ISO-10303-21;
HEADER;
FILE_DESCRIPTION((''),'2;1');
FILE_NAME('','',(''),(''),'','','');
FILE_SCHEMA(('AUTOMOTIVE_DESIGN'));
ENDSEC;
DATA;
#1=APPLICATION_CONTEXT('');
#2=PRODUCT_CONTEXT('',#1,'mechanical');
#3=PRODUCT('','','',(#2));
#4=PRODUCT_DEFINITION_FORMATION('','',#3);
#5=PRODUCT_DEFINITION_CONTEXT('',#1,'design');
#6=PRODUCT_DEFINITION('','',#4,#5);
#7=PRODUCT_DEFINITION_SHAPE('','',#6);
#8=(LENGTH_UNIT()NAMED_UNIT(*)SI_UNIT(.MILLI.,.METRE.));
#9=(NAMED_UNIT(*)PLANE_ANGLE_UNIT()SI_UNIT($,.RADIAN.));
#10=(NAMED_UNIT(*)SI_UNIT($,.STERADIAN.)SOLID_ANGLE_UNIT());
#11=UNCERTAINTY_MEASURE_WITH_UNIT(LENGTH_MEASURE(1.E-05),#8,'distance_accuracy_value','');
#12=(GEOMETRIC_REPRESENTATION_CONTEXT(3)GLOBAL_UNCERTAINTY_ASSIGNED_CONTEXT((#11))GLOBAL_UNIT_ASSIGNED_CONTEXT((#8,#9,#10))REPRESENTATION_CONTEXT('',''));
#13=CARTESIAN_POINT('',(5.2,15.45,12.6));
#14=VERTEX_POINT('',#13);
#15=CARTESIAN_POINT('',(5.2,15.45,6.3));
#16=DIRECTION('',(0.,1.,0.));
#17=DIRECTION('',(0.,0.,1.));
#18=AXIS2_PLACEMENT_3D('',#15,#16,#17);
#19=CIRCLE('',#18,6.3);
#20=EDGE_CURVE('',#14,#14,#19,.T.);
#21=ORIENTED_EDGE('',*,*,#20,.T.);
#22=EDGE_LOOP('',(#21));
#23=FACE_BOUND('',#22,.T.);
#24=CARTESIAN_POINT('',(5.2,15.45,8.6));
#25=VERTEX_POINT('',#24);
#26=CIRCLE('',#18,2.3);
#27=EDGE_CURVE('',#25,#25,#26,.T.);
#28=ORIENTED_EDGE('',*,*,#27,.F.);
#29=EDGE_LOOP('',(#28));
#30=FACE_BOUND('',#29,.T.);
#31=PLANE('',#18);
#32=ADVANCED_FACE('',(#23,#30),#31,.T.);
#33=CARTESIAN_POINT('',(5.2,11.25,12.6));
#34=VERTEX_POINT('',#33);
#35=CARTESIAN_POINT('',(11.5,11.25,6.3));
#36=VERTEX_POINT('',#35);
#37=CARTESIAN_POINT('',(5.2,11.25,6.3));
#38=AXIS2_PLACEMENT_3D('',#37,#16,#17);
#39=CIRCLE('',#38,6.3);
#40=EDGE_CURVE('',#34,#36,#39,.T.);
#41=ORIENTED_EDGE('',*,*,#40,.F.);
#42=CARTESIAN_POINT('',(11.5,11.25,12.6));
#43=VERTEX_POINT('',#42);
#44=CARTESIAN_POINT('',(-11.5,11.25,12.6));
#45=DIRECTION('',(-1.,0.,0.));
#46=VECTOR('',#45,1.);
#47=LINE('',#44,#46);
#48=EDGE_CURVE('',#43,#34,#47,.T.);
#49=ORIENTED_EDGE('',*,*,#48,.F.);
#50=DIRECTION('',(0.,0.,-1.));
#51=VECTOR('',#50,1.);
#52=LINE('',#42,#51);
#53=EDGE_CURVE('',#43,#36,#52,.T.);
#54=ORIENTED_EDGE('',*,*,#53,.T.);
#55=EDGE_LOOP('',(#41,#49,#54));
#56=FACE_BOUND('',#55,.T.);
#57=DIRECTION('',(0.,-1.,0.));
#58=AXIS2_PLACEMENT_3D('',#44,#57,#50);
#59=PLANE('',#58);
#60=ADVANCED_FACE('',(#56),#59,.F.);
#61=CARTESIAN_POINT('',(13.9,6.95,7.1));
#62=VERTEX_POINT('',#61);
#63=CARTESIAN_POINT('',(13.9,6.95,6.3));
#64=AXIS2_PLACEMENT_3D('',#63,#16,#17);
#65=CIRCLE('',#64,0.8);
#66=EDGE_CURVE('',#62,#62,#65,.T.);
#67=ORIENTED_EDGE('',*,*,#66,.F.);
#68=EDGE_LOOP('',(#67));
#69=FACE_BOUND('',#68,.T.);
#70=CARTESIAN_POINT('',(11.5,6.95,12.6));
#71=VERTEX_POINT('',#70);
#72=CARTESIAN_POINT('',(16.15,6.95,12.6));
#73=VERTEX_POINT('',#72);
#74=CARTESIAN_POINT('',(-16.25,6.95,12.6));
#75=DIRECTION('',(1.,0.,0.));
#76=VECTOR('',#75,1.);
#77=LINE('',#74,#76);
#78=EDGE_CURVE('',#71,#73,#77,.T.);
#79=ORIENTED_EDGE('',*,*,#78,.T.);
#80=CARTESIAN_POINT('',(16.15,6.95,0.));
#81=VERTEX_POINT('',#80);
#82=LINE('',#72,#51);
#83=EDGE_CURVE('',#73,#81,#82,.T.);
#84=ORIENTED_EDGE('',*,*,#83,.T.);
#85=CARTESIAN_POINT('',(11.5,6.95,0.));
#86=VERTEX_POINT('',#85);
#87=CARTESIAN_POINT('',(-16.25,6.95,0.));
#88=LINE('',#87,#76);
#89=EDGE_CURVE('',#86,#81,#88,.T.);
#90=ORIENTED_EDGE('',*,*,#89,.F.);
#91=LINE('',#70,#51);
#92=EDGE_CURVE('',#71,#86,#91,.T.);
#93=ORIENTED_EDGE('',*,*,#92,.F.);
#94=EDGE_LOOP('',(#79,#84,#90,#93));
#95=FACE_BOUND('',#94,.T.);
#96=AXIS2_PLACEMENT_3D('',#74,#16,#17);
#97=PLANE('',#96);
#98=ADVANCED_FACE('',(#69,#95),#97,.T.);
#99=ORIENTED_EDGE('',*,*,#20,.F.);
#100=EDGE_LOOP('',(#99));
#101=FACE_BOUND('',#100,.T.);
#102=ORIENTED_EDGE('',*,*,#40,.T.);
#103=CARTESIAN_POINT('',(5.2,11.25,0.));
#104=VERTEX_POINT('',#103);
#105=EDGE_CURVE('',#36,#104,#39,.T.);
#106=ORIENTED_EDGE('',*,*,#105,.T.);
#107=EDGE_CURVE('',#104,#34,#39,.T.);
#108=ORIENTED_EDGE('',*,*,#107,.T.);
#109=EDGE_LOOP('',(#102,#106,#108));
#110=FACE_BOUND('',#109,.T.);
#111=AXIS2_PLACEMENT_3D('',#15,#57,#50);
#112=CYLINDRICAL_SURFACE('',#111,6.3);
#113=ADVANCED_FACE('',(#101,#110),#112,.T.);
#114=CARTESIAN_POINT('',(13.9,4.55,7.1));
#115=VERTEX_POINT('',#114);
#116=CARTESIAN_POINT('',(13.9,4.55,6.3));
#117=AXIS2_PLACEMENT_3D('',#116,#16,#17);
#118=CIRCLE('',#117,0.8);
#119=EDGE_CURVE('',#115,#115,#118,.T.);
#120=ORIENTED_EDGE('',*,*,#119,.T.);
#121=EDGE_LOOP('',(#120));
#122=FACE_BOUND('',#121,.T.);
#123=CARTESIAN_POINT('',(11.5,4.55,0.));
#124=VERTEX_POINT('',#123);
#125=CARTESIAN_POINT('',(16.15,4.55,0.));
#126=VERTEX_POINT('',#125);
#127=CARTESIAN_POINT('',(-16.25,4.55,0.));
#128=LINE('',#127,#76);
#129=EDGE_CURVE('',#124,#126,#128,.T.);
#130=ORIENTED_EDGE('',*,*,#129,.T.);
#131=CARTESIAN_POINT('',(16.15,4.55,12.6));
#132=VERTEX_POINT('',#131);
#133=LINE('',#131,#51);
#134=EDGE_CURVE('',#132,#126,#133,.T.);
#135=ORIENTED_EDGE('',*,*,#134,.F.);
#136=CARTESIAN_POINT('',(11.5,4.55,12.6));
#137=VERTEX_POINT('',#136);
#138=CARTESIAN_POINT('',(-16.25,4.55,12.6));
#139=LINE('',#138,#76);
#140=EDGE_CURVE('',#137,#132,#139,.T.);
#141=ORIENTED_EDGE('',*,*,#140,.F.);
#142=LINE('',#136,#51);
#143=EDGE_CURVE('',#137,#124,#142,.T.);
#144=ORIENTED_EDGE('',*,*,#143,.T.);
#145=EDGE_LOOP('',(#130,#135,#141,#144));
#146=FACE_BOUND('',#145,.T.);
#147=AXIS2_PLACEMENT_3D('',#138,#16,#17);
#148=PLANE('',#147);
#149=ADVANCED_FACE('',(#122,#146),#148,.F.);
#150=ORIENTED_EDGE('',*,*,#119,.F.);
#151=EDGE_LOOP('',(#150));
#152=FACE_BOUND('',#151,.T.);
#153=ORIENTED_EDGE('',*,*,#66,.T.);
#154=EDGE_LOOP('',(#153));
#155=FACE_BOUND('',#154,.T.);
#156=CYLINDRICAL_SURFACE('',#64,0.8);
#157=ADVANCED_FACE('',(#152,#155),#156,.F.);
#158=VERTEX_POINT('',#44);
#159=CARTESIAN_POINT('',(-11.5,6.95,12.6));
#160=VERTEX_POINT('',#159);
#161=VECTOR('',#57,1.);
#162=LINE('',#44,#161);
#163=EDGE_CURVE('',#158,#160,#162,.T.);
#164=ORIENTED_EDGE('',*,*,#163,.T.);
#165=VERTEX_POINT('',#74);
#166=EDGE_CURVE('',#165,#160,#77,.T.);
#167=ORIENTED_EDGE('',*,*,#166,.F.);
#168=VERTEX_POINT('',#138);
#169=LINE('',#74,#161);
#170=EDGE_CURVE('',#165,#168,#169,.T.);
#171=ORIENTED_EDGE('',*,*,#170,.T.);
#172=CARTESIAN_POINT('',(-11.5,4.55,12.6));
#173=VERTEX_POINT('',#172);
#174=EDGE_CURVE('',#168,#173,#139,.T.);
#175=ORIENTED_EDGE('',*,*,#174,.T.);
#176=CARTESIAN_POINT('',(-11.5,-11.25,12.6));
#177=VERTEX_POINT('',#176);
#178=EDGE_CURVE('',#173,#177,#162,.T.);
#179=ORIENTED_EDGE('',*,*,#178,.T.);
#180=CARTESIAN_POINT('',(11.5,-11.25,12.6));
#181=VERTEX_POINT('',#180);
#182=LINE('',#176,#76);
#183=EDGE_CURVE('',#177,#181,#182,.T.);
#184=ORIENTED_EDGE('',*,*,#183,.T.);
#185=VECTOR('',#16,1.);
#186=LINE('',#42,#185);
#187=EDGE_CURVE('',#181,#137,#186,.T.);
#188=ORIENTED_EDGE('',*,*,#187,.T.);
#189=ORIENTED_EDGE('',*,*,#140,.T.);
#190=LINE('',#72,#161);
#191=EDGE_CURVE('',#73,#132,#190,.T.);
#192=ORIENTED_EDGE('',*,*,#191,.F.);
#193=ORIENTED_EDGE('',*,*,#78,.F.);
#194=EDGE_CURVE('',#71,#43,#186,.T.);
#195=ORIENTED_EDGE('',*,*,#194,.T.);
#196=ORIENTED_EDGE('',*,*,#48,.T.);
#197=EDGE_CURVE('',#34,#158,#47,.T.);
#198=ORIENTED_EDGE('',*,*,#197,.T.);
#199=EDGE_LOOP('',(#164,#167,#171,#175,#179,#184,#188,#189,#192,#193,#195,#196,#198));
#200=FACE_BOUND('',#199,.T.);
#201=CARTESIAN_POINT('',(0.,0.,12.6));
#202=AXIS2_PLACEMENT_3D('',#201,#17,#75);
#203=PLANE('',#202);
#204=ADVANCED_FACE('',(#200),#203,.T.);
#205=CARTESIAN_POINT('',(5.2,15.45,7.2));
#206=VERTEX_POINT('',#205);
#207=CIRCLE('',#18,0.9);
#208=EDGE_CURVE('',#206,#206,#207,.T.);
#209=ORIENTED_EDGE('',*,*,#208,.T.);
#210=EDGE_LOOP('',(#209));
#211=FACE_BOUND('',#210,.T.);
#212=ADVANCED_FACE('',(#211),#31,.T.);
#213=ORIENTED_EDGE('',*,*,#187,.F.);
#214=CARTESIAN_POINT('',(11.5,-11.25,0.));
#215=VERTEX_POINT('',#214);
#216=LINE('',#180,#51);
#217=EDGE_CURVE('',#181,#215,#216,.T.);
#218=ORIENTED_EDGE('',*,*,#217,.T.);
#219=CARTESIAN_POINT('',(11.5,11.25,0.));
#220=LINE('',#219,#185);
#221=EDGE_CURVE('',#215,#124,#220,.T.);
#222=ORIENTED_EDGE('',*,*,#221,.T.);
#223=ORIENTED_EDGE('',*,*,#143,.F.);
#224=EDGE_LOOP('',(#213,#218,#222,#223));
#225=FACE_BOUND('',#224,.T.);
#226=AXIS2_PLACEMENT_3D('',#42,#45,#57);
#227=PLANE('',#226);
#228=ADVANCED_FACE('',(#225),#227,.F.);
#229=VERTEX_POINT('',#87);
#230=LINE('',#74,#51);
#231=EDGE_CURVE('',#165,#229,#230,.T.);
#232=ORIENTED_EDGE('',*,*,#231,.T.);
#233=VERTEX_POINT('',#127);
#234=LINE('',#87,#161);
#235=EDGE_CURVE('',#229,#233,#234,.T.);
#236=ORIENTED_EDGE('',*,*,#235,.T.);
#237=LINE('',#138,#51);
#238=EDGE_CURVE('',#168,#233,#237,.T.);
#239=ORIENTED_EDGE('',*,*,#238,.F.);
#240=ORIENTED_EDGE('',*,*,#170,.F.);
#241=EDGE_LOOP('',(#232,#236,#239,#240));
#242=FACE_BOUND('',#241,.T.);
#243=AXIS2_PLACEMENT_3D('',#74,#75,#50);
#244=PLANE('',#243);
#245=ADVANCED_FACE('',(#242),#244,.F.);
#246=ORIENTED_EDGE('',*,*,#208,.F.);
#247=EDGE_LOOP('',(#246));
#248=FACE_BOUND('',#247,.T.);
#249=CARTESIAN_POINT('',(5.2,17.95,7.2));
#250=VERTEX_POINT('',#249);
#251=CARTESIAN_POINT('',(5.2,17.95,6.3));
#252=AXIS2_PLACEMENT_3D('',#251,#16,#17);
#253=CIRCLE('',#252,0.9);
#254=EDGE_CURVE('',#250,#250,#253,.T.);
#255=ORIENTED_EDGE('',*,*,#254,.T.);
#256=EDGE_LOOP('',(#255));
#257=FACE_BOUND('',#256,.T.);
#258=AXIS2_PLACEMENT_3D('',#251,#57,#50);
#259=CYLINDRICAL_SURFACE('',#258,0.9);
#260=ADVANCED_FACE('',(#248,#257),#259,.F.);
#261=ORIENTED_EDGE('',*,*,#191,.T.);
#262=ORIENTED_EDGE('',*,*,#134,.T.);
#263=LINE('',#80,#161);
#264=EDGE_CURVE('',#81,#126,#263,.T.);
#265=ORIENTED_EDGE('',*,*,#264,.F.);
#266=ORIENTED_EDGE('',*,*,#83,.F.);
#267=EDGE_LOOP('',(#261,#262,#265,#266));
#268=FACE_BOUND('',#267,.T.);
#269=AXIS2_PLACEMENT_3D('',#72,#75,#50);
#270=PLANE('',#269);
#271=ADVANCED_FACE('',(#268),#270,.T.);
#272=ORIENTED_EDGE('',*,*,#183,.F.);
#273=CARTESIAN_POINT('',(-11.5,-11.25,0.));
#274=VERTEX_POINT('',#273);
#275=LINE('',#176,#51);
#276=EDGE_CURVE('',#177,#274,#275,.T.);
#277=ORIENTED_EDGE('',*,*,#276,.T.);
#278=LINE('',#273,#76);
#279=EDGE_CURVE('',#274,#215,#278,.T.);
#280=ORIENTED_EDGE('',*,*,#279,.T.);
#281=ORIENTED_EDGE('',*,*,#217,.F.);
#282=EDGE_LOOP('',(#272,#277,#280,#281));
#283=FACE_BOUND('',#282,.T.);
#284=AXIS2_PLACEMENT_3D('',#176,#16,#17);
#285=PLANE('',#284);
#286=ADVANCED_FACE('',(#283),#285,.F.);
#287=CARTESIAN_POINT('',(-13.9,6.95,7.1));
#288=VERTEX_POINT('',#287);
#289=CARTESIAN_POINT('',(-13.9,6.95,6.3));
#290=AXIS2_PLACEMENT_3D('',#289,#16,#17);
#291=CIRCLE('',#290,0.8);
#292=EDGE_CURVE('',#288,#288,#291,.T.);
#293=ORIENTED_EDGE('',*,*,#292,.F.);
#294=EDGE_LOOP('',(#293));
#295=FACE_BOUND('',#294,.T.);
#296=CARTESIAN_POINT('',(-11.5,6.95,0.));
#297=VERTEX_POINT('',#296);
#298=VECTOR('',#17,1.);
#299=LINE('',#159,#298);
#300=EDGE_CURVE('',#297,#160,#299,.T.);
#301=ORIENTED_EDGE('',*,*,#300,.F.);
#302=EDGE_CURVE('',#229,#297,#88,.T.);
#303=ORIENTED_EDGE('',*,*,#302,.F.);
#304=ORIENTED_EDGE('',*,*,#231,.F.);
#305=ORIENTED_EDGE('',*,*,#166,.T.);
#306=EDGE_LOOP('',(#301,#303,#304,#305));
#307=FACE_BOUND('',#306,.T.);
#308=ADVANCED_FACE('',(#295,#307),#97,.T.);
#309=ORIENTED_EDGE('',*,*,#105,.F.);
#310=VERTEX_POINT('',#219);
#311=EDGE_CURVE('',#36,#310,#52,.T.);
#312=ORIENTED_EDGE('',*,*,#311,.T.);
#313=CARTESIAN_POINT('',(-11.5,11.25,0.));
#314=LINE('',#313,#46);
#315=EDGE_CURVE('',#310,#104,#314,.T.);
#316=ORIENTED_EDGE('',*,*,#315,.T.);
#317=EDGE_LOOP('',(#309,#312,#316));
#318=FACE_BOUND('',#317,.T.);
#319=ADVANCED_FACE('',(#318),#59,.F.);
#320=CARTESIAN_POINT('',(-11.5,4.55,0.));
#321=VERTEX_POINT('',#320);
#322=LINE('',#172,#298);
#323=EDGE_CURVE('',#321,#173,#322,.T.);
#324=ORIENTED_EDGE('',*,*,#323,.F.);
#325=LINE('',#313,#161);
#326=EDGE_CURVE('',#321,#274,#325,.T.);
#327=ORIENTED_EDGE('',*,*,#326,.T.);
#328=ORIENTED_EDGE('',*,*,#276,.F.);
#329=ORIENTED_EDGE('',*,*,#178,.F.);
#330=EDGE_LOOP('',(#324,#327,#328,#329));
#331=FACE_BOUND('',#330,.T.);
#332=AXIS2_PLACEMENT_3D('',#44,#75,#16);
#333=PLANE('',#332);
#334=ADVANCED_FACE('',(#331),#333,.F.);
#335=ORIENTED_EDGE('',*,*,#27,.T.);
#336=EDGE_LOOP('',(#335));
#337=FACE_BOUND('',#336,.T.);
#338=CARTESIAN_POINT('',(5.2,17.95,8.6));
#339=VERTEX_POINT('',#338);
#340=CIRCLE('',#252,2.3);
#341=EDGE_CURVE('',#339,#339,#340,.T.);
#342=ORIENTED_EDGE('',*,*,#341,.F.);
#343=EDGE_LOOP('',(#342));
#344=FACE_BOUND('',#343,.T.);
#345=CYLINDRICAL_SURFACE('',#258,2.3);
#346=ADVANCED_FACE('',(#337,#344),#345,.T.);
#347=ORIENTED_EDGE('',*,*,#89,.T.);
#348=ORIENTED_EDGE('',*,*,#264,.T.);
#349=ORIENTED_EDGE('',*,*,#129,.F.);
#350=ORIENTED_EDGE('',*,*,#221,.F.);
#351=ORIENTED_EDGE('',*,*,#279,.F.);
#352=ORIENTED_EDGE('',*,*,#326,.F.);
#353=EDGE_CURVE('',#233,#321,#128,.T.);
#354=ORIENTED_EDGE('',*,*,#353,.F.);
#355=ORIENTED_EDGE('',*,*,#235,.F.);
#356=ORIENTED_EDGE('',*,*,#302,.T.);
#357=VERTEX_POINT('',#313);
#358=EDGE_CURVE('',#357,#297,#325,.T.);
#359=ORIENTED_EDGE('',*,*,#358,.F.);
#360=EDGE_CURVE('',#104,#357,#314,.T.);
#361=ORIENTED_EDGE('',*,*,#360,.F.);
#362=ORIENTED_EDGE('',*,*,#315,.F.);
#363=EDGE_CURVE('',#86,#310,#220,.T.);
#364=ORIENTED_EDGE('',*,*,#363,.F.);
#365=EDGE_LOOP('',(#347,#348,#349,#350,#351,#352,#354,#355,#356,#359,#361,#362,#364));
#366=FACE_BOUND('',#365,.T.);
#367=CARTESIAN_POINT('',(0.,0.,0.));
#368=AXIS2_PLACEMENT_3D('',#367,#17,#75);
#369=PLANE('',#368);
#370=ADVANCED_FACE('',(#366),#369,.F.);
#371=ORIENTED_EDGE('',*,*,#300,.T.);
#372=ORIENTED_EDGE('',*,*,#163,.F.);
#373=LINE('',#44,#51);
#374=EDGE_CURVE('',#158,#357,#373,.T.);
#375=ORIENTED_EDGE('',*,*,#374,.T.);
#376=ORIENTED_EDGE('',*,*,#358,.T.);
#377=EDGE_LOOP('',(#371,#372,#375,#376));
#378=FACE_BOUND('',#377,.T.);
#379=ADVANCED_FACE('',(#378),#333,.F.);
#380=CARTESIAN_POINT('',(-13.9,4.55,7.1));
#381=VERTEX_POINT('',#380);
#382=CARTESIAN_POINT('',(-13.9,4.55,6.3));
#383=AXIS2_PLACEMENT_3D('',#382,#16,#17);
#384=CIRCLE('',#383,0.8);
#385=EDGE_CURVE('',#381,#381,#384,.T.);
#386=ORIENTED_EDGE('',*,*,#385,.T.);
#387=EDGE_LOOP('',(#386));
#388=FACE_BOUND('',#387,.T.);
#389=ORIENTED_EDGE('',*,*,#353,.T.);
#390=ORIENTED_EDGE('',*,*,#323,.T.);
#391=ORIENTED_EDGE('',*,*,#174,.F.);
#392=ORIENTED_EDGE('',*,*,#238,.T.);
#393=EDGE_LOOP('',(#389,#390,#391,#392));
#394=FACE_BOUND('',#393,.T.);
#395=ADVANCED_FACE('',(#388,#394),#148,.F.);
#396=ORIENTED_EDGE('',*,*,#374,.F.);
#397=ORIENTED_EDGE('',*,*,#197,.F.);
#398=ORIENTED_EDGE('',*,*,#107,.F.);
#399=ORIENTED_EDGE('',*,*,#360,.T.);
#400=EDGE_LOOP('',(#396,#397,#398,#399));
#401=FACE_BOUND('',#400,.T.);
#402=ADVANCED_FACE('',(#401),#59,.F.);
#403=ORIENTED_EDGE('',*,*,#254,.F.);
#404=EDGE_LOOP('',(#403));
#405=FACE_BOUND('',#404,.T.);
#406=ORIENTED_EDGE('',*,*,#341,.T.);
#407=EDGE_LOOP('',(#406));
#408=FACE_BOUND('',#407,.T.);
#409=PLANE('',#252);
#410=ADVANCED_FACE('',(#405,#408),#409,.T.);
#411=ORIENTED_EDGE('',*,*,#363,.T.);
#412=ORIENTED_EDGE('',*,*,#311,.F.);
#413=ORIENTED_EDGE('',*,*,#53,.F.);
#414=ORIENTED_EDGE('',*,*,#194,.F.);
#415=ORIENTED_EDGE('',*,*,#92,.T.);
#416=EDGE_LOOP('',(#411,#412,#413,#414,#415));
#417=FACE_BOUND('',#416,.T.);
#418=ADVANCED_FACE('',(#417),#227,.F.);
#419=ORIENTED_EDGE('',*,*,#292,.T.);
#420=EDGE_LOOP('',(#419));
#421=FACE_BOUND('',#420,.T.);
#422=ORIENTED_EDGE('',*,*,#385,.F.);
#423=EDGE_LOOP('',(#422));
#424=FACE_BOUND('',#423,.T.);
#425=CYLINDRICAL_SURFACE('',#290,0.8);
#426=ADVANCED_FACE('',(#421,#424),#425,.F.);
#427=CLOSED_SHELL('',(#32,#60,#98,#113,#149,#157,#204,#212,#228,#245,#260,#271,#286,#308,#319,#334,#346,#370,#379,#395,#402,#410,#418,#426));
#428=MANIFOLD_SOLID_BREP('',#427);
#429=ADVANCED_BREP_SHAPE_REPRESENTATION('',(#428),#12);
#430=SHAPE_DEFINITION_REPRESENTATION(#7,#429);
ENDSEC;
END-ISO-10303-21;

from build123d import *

# Parameters (mm, degrees)
SKETCH_5_W          = 23
SKETCH_5_H          = 22.5
EXTRUDE_4_DEPTH     = 12.6
SKETCH_6_W          = 32.4
SKETCH_6_H          = 2.4
EXTRUDE_5_DEPTH     = 12.6
SKETCH_7_R          = 6.3
EXTRUDE_6_DEPTH     = 4.2
SKETCH_9_R          = 2.3
EXTRUDE_8_DEPTH     = 2.5
SKETCH_10_R         = 0.9
CUT_EXTRUDE_1_DEPTH = 2.5
M2X0_4_1_D          = 1.6


with BuildPart() as part:
    # ｽｹｯﾁ5 → ﾎﾞｽ - 押し出し4 (new body)
    with BuildSketch(Plane.XY):
        Rectangle(SKETCH_5_W, SKETCH_5_H)
    extrude(amount=EXTRUDE_4_DEPTH)

    # ｽｹｯﾁ6 → ﾎﾞｽ - 押し出し5 (add)
    with BuildSketch(Plane.XY):
        with Locations((-0.05, 5.75)):
            Rectangle(SKETCH_6_W, SKETCH_6_H)
    extrude(amount=EXTRUDE_5_DEPTH)

    # ｽｹｯﾁ7 → ﾎﾞｽ - 押し出し6 (add)
    with BuildSketch(Plane(origin=(0, 11.25, 0), x_dir=(1, 0, 0), z_dir=(0, 1, 0))):
        with Locations(Location((5.2, -6.3, 0), (0, 0, 270))):
            Circle(SKETCH_7_R)
    extrude(amount=EXTRUDE_6_DEPTH)

    # ｽｹｯﾁ9 → ﾎﾞｽ - 押し出し8 (add)
    with BuildSketch(Plane(origin=(0, 15.45, 0), x_dir=(1, 0, 0), z_dir=(0, 1, 0))):
        with Locations(Location((5.2, -6.3, 0), (0, 0, 270))):
            Circle(SKETCH_9_R)
    extrude(amount=EXTRUDE_8_DEPTH)

    # ｽｹｯﾁ10 → ｶｯﾄ - 押し出し1 (cut)
    with BuildSketch(Plane(origin=(0, 15.45, 0), x_dir=(1, 0, 0), z_dir=(0, 1, 0))):
        with Locations(Location((5.2, -6.3, 0), (0, 0, 270))):
            Circle(SKETCH_10_R)
    extrude(amount=CUT_EXTRUDE_1_DEPTH, mode=Mode.SUBTRACT)

    # M2x0.4 ねじ穴1 (through all)
    with Locations(Plane(origin=(0, 6.95, 0), x_dir=(1, 0, 0), z_dir=(0, 1, 0))):
        with Locations((-13.9, -6.3), (13.9, -6.3)):
            Hole(M2X0_4_1_D / 2)


solid = part.part
